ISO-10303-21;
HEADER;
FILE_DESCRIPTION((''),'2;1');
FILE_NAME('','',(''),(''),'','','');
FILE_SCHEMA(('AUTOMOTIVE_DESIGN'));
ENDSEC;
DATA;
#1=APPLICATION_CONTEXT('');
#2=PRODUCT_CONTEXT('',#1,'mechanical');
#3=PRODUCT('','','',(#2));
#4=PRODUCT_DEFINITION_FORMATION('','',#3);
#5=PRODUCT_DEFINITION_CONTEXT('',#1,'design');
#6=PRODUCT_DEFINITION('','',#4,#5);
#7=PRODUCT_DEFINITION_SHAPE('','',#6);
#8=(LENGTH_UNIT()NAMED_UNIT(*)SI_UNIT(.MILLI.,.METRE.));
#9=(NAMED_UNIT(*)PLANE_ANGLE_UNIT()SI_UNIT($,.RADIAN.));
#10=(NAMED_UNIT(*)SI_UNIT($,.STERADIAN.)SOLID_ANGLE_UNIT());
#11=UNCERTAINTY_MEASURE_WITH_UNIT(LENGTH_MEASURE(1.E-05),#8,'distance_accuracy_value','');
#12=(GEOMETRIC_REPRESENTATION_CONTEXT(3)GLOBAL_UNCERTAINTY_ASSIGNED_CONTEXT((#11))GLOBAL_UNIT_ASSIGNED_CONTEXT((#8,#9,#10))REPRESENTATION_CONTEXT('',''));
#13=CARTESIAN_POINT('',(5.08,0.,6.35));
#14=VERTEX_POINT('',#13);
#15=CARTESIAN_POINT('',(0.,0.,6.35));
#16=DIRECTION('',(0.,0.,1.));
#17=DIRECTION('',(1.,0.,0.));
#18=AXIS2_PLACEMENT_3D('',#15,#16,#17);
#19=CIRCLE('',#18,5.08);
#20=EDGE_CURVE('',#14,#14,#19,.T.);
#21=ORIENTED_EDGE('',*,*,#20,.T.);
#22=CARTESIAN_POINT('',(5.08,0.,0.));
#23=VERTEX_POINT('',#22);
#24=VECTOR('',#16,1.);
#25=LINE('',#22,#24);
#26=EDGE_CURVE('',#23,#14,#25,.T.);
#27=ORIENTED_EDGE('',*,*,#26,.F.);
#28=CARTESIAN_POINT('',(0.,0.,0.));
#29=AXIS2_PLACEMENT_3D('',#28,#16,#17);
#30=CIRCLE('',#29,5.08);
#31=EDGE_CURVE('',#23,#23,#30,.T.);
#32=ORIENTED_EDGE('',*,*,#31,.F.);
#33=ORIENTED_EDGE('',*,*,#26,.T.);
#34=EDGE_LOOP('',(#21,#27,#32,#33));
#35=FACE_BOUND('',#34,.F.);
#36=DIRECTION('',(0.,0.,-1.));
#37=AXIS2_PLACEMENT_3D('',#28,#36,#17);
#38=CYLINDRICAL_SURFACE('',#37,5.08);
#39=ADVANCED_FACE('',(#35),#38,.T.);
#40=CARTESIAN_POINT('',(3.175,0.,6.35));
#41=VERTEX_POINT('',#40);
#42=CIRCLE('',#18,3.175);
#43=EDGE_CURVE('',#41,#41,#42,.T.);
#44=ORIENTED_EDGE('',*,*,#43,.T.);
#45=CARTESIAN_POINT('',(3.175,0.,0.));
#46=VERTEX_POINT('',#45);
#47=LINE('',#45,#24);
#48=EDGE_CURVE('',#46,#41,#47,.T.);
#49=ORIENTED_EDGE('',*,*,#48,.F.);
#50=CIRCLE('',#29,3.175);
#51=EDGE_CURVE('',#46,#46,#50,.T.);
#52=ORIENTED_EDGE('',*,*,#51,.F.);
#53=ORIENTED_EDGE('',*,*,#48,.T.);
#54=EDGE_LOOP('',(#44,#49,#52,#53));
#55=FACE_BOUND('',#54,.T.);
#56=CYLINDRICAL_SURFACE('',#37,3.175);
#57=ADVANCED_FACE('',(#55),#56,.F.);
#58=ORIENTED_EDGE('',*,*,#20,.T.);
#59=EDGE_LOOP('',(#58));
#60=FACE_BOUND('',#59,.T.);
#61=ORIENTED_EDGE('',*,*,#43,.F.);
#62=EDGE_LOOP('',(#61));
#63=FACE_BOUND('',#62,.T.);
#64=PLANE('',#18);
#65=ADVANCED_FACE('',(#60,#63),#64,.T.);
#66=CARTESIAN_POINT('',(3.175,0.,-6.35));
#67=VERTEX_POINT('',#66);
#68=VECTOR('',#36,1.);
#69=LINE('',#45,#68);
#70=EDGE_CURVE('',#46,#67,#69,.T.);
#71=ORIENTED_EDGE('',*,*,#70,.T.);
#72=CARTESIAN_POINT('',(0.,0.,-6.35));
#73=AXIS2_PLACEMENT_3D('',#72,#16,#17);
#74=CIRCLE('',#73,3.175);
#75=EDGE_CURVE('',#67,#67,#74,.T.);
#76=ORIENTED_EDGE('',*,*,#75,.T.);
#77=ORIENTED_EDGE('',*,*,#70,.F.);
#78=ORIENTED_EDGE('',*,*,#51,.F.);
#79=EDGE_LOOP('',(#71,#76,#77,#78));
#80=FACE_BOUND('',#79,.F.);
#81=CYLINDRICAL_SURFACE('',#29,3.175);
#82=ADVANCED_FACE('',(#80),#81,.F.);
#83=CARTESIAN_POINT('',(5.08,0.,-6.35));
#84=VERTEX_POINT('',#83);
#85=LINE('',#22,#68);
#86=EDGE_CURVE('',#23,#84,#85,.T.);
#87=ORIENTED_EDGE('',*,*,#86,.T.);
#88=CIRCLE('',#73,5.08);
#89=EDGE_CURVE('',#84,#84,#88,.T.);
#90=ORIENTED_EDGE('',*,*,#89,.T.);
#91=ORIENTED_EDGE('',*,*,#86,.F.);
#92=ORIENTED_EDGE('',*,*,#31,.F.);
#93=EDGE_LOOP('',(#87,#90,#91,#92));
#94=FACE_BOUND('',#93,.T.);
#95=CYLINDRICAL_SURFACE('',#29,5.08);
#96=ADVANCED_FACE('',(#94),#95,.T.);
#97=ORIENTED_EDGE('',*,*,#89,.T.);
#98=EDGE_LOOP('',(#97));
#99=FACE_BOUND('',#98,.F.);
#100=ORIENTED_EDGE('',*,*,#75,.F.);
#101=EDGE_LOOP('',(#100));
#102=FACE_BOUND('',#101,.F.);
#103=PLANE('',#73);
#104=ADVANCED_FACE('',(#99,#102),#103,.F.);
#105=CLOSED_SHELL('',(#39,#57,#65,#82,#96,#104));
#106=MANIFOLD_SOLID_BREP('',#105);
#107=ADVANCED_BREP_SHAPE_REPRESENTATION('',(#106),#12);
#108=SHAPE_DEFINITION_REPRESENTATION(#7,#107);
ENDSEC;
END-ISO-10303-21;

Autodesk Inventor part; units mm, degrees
ref_plane "YZ Plane" through (0, 0, 0) normal (1, 0, 0) x (0, 1, 0)
ref_plane "XZ Plane" through (0, 0, 0) normal (0, 1, 0) x (-1, 0, 0)
ref_plane "XY Plane" through (0, 0, 0) normal (0, 0, 1) x (1, 0, 0)
sketch "Sketch1" plane through (0, 0, 0) normal (0, 0, 1) x (1, 0, 0)
  circle A0 centre (0, 0) radius 3.175
  circle A1 centre (0, 0) radius 5.08
  dimension "d0" = 6.35
  dimension "d1" = 10.16
extrude "Extrusion1" add sketch "Sketch1" along normal mid plane 12.7
properties part number "0.5''_spacer"
